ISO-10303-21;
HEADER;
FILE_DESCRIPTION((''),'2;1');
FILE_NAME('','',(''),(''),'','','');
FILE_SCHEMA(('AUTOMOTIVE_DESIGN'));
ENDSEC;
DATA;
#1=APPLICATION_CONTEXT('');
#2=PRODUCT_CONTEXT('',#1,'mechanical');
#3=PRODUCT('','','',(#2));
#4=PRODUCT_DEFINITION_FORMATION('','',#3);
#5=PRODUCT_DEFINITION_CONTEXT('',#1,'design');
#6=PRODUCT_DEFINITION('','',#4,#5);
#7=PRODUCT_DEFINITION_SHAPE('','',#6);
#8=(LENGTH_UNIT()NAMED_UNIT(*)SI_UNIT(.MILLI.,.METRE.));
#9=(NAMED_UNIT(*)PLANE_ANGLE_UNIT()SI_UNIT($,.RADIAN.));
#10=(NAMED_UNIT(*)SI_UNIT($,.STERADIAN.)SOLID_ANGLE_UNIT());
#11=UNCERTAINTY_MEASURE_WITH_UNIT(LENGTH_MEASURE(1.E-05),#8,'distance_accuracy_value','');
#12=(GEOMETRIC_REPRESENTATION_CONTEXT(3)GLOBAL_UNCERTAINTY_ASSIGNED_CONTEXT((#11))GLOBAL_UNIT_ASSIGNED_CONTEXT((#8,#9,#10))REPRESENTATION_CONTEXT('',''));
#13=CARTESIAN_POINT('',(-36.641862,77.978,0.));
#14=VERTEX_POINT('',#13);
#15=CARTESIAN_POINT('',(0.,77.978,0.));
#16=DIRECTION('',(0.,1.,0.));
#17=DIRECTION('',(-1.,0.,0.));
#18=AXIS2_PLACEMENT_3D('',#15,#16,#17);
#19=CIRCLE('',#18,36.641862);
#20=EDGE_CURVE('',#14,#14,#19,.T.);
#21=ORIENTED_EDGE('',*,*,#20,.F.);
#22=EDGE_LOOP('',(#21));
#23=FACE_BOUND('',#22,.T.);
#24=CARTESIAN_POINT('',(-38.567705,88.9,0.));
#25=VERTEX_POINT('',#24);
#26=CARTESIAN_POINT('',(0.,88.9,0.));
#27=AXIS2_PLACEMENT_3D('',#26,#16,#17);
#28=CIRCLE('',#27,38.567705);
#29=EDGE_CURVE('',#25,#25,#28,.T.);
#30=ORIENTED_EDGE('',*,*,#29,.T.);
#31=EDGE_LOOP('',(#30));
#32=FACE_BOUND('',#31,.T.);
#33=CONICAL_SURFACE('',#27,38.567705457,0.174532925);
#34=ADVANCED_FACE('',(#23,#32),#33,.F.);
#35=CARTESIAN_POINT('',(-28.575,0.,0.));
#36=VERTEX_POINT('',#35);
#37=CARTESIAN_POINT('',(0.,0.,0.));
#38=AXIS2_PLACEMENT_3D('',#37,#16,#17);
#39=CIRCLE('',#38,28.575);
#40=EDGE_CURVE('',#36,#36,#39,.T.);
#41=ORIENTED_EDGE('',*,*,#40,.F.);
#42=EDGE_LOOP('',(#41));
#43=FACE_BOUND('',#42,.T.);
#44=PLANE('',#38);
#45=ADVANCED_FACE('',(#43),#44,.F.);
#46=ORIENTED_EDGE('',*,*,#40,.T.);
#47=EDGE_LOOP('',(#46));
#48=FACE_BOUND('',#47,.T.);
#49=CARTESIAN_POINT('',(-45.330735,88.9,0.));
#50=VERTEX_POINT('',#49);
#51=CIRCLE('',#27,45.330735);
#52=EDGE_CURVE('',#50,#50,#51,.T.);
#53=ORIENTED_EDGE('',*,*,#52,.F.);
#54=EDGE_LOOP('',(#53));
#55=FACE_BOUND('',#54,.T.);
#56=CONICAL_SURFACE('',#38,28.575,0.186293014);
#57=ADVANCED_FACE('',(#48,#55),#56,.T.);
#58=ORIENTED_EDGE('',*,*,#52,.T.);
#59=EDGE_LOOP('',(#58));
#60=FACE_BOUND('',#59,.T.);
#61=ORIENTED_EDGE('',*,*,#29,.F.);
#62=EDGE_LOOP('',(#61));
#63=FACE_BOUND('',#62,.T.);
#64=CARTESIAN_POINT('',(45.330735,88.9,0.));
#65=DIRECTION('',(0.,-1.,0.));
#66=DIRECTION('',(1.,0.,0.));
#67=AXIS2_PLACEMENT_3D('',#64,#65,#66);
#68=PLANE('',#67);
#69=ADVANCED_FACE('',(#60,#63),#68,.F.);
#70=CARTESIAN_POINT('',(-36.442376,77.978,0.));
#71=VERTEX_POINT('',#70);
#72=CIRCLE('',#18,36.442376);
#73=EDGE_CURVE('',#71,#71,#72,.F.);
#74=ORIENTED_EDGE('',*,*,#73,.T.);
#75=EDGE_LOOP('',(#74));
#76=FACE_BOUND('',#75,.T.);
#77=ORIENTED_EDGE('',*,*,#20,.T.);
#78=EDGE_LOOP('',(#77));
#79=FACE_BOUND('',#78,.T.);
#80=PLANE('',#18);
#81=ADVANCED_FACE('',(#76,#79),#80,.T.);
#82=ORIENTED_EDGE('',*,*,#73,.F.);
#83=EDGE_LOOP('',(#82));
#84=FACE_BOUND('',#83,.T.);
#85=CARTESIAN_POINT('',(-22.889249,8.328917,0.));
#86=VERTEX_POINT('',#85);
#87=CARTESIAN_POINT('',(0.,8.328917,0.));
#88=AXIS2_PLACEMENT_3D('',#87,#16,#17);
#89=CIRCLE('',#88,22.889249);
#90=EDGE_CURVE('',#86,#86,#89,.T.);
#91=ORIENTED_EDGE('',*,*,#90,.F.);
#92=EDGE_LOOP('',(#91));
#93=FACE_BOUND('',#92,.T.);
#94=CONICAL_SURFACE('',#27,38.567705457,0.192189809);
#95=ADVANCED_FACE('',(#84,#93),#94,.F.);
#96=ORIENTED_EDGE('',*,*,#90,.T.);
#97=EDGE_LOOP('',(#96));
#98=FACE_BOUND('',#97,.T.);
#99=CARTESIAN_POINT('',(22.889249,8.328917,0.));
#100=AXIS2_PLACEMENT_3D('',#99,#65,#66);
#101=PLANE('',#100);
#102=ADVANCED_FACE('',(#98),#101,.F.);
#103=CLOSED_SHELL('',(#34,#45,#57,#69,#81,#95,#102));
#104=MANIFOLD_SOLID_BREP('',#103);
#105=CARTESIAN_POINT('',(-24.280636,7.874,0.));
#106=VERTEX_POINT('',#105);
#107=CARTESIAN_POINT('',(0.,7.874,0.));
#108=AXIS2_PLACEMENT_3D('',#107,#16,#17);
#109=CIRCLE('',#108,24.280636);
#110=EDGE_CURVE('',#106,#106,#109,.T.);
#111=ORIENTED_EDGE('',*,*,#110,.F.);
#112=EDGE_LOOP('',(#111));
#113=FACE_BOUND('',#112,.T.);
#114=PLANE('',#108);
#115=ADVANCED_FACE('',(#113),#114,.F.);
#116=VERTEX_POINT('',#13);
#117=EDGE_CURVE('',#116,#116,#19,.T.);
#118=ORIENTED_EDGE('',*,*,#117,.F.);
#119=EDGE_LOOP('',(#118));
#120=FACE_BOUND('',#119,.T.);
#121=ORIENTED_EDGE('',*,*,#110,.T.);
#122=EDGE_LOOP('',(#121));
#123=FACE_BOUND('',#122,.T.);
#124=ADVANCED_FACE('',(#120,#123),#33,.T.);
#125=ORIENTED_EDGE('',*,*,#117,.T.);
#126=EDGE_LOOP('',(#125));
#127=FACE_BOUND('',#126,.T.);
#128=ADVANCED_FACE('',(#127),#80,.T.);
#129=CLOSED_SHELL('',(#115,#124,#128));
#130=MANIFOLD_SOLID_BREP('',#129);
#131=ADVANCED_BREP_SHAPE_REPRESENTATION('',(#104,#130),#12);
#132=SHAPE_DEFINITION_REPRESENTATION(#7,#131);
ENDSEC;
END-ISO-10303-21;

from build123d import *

# Parameters (mm, degrees)
SKETCH3_R           = 38.567705457
BOSS_EXTRUDE2_DEPTH = 81.026
BOSS_EXTRUDE2_DRAFT = -10
SKETCH5_R           = 38.567705457
CUT_EXTRUDE3_DEPTH  = 10.922
CUT_EXTRUDE3_DRAFT  = -10


with BuildPart() as part:
    # Sketch1 → Revolve2 (revolve)
    with BuildSketch(Plane.XY, mode=Mode.PRIVATE) as revolve2_sk:
        Polygon((0, 0), (28.575, 0), (45.330735358, 88.9), (38.567705457, 88.9), (22.889249359, 8.32891688), (0, 8.32891688), align=None)
    revolve(revolve2_sk.sketch.rotate(Axis((0, 8.32891688, 0), (0, -1, 0)), 180), axis=Axis((0, 8.32891688, 0), (0, -1, 0)))


with BuildPart() as body_2:
    # Sketch3 → Boss-Extrude2 (with draft: the straight prism first)
    with BuildSketch(Plane(origin=(0, 88.9, 0), x_dir=(1, 0, 0), z_dir=(0, 1, 0))):
        Circle(SKETCH3_R)
    extrude(amount=-BOSS_EXTRUDE2_DEPTH)
    # Boss-Extrude2: the draft: its side faces are tilted about the plane it starts from
    boss_extrude2_sides = [body_2.faces().sort_by_distance(p)[0] for p in [
        (-38.567705457, 48.387, 0),
    ]]
    draft(boss_extrude2_sides, Plane(origin=(0, 88.9, 0), x_dir=(1, 0, 0), z_dir=(0, 1, 0)), BOSS_EXTRUDE2_DRAFT)


with BuildPart() as cut_extrude3_tool:
    # Sketch5 → Cut-Extrude3 (with draft: the straight prism first)
    with BuildSketch(Plane(origin=(0, 88.9, 0), x_dir=(1, 0, 0), z_dir=(0, 1, 0))):
        Circle(SKETCH5_R)
    extrude(amount=-CUT_EXTRUDE3_DEPTH)
    # Cut-Extrude3: the draft: its side faces are tilted about the plane it starts from
    cut_extrude3_sides = [cut_extrude3_tool.faces().sort_by_distance(p)[0] for p in [
        (-38.567705457, 83.439, 0),
    ]]
    draft(cut_extrude3_sides, Plane(origin=(0, 88.9, 0), x_dir=(1, 0, 0), z_dir=(0, 1, 0)), CUT_EXTRUDE3_DRAFT)


with BuildPart() as part_1:
    add(part.part)

    # Cut-Extrude3: cut by cut_extrude3_tool
    add(cut_extrude3_tool.part, mode=Mode.SUBTRACT)


with BuildPart() as body_2_1:
    add(body_2.part)

    # Cut-Extrude3: cut by cut_extrude3_tool
    add(cut_extrude3_tool.part, mode=Mode.SUBTRACT)


solid = Compound([part_1.part, body_2_1.part])
